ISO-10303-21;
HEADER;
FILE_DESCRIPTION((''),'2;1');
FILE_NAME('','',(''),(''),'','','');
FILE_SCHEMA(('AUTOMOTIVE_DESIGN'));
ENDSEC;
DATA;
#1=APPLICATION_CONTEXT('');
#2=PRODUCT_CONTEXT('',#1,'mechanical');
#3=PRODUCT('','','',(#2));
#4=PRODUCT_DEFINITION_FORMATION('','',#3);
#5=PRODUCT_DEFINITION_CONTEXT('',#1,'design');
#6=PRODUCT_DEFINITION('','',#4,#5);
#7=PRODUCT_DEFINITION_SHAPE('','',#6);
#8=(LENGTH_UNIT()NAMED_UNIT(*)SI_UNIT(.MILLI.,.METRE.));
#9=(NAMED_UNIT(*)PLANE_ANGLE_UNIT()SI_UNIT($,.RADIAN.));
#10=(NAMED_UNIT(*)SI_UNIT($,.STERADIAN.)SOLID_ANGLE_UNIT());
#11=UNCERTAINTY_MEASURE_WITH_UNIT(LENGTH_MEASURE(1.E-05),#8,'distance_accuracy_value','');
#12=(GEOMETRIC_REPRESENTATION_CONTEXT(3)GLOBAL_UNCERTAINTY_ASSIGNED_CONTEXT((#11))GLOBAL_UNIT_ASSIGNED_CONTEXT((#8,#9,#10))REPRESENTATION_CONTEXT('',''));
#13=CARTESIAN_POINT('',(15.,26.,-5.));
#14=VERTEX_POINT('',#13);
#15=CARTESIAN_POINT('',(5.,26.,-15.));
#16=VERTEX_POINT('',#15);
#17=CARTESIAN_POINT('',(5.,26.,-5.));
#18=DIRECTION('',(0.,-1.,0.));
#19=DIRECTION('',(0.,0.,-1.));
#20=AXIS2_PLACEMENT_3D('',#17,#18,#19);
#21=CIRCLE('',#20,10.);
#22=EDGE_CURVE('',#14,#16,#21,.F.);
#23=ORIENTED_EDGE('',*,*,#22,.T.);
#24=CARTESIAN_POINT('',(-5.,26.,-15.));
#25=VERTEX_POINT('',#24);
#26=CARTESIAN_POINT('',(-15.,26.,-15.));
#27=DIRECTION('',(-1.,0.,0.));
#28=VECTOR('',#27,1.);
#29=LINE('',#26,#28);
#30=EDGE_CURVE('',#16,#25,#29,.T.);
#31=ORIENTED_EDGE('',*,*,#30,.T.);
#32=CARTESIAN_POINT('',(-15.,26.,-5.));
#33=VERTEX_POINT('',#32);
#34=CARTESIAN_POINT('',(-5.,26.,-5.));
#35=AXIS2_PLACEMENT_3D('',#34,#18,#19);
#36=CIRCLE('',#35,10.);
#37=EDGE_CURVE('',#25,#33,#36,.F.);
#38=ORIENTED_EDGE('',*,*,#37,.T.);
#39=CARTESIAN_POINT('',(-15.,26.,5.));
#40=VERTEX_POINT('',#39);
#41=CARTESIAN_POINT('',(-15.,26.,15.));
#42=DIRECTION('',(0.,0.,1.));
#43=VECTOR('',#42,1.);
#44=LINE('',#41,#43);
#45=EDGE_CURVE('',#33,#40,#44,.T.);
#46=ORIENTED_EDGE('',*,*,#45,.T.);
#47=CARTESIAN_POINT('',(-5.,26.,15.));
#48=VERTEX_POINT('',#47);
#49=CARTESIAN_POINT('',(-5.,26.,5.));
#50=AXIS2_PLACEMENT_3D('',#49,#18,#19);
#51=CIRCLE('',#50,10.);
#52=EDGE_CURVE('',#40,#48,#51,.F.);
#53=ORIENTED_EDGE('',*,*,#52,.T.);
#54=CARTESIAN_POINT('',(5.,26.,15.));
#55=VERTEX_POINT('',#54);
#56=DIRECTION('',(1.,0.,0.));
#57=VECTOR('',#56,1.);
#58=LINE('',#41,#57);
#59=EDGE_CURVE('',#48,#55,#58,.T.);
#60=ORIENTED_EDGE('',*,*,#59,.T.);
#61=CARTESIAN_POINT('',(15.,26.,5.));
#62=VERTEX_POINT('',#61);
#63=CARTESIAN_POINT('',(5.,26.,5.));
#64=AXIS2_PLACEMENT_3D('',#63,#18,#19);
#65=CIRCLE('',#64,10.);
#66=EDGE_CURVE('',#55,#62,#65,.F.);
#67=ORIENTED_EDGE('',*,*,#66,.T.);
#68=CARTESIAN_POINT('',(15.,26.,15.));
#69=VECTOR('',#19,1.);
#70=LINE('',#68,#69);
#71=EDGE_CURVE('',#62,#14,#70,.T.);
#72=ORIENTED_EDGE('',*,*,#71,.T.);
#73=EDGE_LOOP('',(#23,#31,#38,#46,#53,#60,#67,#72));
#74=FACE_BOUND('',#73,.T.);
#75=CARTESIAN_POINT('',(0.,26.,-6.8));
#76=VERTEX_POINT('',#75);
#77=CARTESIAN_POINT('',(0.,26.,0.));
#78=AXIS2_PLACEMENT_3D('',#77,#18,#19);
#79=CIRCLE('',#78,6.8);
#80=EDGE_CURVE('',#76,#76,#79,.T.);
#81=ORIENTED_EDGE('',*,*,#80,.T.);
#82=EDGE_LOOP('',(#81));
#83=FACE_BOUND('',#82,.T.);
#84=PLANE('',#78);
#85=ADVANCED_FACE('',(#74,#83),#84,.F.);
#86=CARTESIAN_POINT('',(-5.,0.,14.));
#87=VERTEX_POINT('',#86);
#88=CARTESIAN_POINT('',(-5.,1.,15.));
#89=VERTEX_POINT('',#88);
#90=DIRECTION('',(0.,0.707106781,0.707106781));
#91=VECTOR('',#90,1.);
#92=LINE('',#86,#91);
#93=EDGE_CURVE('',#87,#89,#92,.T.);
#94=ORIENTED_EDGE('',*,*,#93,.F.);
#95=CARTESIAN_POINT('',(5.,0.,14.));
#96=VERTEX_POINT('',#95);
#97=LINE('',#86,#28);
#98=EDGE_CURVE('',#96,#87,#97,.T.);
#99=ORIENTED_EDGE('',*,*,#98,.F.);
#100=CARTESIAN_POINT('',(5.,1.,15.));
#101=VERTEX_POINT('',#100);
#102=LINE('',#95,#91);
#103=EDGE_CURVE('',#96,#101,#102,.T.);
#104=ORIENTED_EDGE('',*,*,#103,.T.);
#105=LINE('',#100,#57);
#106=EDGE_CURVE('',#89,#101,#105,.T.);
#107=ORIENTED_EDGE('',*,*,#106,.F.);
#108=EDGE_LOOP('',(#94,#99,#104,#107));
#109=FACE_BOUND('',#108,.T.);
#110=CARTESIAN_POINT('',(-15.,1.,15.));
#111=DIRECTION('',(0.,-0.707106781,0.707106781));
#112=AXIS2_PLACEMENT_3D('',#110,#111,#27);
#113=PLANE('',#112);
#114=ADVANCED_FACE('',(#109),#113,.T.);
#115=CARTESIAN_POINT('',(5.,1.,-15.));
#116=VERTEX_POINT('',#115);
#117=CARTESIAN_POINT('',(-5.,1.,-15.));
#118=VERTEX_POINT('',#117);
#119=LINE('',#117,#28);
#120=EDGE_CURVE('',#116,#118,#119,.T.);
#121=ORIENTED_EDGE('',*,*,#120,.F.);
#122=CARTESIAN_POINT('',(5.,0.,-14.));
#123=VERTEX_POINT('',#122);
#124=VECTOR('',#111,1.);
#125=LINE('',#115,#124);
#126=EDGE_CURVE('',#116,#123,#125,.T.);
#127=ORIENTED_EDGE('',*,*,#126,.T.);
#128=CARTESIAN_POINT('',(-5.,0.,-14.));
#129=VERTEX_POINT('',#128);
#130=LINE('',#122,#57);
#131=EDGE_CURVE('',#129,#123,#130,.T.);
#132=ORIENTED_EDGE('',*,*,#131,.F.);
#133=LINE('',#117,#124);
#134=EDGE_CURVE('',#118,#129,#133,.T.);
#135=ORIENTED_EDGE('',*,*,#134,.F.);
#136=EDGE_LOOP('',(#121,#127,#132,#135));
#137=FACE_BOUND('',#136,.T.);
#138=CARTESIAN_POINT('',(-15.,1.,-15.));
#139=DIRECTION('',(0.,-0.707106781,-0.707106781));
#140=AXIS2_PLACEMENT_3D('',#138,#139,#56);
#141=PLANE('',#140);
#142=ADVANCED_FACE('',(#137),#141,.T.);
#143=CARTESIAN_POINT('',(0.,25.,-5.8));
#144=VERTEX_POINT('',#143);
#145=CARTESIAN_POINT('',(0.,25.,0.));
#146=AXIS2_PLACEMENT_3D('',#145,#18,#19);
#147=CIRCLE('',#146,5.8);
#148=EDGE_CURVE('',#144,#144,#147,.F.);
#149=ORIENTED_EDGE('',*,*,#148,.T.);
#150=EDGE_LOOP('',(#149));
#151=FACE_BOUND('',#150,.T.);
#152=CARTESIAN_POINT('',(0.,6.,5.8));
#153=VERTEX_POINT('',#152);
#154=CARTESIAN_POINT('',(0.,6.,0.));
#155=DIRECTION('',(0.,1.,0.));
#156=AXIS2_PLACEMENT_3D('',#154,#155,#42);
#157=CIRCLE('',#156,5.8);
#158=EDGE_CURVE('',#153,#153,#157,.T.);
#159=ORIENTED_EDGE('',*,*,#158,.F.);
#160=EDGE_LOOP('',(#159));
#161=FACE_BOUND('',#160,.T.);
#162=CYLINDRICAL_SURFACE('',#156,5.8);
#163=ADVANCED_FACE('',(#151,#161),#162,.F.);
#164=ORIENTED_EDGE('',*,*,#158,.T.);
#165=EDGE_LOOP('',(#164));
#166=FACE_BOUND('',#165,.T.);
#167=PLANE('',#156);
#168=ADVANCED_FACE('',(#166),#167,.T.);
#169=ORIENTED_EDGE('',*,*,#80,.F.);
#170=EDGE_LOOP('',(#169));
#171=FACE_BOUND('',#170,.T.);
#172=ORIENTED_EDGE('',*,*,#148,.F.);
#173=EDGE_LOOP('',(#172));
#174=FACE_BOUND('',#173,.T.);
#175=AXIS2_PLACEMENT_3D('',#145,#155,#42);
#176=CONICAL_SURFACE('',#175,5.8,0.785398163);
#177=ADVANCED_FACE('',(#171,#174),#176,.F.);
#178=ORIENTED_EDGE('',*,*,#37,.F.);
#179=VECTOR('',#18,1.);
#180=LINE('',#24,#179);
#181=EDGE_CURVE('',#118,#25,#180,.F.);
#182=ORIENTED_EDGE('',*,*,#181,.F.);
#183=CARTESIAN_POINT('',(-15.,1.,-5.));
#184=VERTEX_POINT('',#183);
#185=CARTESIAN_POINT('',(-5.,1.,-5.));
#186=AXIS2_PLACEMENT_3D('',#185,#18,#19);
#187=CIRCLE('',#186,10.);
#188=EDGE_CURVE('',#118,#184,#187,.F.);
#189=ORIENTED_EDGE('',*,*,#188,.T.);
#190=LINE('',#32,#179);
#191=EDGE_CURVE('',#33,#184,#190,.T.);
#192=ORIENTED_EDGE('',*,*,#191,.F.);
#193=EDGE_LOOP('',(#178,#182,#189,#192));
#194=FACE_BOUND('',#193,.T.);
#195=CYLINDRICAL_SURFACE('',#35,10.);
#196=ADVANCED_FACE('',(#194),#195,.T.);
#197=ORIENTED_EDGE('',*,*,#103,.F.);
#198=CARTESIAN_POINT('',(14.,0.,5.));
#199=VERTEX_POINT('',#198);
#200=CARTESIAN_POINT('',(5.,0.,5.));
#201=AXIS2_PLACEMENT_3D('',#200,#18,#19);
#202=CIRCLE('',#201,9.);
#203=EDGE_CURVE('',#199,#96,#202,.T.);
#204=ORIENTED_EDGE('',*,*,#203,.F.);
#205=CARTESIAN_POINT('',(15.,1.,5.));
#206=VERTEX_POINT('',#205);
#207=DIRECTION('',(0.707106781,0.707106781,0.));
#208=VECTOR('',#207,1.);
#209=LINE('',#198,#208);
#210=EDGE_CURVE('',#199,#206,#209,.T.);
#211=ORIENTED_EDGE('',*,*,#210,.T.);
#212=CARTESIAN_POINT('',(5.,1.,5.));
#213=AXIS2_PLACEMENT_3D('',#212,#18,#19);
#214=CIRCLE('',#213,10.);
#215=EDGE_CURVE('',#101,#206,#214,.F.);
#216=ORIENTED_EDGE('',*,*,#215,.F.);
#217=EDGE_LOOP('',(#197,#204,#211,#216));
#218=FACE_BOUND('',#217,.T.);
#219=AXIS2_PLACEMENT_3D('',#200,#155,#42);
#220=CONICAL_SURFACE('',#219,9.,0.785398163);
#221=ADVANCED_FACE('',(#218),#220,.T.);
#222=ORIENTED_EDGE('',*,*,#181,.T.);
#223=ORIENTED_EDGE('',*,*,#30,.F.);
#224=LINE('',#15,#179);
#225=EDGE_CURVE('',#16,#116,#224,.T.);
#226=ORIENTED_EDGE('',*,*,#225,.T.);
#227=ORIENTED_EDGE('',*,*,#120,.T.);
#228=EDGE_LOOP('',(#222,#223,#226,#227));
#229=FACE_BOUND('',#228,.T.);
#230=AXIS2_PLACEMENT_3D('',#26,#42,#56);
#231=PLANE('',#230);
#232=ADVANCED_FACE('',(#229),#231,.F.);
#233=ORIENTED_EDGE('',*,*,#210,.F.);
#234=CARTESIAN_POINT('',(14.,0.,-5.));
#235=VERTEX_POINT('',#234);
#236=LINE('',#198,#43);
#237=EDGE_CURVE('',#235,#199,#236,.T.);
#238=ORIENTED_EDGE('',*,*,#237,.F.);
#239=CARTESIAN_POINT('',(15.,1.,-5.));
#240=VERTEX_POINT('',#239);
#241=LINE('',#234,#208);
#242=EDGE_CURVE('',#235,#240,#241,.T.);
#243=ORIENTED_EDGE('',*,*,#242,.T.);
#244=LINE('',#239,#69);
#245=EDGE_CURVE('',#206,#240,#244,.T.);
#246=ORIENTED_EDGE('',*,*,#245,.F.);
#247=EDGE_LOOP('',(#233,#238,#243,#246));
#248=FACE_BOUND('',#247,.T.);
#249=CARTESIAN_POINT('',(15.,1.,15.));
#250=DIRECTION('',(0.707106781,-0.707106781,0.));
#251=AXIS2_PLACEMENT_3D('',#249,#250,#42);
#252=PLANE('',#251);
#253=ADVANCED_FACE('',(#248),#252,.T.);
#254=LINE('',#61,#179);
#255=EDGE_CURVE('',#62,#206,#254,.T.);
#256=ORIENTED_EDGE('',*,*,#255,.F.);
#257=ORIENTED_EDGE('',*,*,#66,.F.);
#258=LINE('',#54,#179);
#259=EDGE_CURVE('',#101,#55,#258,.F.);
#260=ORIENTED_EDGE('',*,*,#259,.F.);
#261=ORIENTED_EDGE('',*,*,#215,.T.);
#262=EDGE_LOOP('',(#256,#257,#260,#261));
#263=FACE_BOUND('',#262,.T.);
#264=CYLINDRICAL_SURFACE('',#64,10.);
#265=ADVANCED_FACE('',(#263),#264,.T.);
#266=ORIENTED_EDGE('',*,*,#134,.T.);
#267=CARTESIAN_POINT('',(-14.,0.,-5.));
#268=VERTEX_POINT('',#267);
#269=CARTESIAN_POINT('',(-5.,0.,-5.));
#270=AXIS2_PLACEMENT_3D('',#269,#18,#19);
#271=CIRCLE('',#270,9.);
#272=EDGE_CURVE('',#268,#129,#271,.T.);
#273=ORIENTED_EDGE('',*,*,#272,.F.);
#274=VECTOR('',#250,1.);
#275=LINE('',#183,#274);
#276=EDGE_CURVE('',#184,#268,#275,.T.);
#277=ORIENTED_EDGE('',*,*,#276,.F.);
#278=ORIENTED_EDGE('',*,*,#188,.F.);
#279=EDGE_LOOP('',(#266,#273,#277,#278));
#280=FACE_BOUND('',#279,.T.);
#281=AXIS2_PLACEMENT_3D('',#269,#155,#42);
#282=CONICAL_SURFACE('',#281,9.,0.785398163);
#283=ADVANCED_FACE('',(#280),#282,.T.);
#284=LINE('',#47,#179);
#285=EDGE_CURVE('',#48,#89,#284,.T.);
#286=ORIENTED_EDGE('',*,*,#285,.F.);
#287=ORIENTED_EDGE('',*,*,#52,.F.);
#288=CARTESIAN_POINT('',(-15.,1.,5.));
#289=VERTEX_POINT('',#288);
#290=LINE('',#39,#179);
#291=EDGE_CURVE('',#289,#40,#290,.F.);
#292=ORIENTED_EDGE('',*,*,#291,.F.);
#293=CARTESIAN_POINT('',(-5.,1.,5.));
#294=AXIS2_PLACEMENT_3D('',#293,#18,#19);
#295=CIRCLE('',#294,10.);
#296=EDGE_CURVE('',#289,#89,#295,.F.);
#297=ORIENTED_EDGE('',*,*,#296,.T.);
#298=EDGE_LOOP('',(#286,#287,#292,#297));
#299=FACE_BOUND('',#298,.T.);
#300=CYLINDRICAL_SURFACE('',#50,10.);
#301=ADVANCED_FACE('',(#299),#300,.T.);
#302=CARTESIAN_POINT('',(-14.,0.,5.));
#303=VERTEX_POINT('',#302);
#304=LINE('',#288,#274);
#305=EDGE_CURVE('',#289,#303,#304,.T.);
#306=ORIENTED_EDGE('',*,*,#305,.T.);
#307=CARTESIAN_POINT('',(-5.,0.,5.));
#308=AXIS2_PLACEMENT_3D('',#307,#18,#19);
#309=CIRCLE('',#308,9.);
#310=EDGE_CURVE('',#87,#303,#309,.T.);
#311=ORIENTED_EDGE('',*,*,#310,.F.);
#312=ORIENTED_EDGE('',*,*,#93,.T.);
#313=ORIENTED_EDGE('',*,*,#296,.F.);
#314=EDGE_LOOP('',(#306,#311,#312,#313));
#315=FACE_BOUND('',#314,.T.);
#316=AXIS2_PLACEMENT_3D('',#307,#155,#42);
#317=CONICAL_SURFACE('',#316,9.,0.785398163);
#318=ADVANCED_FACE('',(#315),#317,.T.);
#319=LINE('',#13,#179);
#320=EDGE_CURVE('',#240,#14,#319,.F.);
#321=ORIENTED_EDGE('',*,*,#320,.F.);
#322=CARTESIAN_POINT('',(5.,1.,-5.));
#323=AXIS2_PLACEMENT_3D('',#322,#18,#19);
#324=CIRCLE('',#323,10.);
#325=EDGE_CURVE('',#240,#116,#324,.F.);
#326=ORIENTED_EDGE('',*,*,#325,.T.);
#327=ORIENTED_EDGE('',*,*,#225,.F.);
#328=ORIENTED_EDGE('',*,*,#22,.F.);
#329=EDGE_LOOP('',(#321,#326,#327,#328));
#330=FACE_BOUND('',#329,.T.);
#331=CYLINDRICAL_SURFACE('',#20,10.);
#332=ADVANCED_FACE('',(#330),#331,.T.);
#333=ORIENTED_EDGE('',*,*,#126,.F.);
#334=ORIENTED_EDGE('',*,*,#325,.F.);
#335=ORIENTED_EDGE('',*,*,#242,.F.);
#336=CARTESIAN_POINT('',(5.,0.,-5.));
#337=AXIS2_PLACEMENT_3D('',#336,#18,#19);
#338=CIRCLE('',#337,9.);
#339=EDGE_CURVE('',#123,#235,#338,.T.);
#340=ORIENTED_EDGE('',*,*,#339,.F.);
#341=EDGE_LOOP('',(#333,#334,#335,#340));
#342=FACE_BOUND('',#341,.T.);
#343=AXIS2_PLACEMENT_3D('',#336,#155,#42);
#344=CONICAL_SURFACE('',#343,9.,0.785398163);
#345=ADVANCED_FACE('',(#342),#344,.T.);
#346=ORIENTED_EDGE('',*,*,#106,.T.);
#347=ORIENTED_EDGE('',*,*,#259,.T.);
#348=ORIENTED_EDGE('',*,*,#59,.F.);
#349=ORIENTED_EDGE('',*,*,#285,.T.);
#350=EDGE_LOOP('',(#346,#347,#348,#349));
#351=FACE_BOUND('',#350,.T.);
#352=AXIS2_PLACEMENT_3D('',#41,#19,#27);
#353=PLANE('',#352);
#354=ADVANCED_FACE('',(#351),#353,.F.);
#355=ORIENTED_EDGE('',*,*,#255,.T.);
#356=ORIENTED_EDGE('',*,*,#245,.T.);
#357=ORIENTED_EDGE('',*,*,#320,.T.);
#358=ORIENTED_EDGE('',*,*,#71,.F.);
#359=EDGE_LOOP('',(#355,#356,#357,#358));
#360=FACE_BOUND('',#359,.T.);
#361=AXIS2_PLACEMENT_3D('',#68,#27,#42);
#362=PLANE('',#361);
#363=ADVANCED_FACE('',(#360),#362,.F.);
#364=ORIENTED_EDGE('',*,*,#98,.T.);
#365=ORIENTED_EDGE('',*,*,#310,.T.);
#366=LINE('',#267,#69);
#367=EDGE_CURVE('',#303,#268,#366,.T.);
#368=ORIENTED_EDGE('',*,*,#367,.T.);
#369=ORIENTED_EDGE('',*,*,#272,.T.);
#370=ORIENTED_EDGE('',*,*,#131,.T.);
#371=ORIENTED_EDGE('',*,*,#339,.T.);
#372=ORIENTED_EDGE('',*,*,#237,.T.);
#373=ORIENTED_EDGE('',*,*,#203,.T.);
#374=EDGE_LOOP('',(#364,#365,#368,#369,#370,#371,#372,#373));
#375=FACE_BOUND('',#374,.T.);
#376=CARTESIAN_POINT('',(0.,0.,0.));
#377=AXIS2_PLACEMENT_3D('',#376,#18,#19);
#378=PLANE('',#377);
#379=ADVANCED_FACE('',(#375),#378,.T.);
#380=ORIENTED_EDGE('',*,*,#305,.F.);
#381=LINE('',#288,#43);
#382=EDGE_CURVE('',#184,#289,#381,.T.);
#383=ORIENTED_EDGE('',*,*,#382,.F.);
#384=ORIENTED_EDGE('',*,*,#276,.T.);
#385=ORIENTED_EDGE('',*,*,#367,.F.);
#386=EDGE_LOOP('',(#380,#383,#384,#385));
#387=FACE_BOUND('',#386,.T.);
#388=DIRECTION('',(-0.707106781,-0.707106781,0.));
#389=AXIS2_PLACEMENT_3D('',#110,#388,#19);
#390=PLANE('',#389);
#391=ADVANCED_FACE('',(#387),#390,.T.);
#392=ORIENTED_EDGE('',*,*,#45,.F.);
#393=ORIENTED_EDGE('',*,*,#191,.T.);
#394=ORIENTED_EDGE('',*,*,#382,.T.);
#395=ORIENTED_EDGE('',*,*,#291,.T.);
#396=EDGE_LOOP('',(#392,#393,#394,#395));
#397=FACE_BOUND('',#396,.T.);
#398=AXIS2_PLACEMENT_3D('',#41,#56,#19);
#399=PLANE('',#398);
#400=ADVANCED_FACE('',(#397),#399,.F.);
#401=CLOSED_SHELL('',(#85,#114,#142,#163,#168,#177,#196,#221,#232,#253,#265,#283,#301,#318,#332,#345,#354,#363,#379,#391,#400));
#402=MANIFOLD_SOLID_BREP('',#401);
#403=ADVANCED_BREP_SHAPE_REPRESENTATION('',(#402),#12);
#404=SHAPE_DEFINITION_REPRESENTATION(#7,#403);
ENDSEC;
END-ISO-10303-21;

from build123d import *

# Parameters (mm, degrees)
SKETCH_1_W          = 30
SKETCH_1_H          = 30
EXTRUDE_1_DEPTH     = 26
SKETCH_2_R          = 5.8
CUT_EXTRUDE_1_DEPTH = 20
FILLET_1_R          = 10
CHAMFER_1_SIZE      = 1
CHAMFER_2_SIZE      = 1


with BuildPart() as part:
    # Эскиз1 → Бобышка-Вытянуть1 (new body)
    with BuildSketch(Plane(origin=(0, 0, 0), x_dir=(1, 0, 0), z_dir=(0, 1, 0))):
        Rectangle(SKETCH_1_W, SKETCH_1_H)
    extrude(amount=EXTRUDE_1_DEPTH)

    # Эскиз2 → Вырез-Вытянуть1 (cut)
    with BuildSketch(Plane(origin=(0, 26, 0), x_dir=(1, 0, 0), z_dir=(0, 1, 0))):
        with Locations(Location((0, 0, 0), (0, 0, 270))):
            Circle(SKETCH_2_R)
    extrude(amount=-CUT_EXTRUDE_1_DEPTH, mode=Mode.SUBTRACT)

    # Скругление1
    fillet_1_edges = [part.edges().sort_by_distance(p)[0] for p in [
        (15, 13, 15),
        (-15, 13, 15),
        (-15, 13, -15),
        (15, 13, -15),
    ]]
    fillet(fillet_1_edges, radius=FILLET_1_R)

    # Фаска1
    chamfer_1_edges = [part.edges().sort_by_distance(p)[0] for p in [
        (-15, 0, 0),
        (15, 0, 0),
        (0, 0, 15),
        (0, 0, -15),
        (12.071067812, 0, 12.071067812),
        (-12.071067812, 0, 12.071067812),
        (12.071067812, 0, -12.071067812),
        (-12.071067812, 0, -12.071067812),
    ]]
    chamfer(chamfer_1_edges, length=CHAMFER_1_SIZE)

    # Фаска2
    chamfer_2_edges = [part.edges().sort_by_distance(p)[0] for p in [
        (0, 26, -5.8),
    ]]
    chamfer(chamfer_2_edges, length=CHAMFER_2_SIZE)


solid = part.part
